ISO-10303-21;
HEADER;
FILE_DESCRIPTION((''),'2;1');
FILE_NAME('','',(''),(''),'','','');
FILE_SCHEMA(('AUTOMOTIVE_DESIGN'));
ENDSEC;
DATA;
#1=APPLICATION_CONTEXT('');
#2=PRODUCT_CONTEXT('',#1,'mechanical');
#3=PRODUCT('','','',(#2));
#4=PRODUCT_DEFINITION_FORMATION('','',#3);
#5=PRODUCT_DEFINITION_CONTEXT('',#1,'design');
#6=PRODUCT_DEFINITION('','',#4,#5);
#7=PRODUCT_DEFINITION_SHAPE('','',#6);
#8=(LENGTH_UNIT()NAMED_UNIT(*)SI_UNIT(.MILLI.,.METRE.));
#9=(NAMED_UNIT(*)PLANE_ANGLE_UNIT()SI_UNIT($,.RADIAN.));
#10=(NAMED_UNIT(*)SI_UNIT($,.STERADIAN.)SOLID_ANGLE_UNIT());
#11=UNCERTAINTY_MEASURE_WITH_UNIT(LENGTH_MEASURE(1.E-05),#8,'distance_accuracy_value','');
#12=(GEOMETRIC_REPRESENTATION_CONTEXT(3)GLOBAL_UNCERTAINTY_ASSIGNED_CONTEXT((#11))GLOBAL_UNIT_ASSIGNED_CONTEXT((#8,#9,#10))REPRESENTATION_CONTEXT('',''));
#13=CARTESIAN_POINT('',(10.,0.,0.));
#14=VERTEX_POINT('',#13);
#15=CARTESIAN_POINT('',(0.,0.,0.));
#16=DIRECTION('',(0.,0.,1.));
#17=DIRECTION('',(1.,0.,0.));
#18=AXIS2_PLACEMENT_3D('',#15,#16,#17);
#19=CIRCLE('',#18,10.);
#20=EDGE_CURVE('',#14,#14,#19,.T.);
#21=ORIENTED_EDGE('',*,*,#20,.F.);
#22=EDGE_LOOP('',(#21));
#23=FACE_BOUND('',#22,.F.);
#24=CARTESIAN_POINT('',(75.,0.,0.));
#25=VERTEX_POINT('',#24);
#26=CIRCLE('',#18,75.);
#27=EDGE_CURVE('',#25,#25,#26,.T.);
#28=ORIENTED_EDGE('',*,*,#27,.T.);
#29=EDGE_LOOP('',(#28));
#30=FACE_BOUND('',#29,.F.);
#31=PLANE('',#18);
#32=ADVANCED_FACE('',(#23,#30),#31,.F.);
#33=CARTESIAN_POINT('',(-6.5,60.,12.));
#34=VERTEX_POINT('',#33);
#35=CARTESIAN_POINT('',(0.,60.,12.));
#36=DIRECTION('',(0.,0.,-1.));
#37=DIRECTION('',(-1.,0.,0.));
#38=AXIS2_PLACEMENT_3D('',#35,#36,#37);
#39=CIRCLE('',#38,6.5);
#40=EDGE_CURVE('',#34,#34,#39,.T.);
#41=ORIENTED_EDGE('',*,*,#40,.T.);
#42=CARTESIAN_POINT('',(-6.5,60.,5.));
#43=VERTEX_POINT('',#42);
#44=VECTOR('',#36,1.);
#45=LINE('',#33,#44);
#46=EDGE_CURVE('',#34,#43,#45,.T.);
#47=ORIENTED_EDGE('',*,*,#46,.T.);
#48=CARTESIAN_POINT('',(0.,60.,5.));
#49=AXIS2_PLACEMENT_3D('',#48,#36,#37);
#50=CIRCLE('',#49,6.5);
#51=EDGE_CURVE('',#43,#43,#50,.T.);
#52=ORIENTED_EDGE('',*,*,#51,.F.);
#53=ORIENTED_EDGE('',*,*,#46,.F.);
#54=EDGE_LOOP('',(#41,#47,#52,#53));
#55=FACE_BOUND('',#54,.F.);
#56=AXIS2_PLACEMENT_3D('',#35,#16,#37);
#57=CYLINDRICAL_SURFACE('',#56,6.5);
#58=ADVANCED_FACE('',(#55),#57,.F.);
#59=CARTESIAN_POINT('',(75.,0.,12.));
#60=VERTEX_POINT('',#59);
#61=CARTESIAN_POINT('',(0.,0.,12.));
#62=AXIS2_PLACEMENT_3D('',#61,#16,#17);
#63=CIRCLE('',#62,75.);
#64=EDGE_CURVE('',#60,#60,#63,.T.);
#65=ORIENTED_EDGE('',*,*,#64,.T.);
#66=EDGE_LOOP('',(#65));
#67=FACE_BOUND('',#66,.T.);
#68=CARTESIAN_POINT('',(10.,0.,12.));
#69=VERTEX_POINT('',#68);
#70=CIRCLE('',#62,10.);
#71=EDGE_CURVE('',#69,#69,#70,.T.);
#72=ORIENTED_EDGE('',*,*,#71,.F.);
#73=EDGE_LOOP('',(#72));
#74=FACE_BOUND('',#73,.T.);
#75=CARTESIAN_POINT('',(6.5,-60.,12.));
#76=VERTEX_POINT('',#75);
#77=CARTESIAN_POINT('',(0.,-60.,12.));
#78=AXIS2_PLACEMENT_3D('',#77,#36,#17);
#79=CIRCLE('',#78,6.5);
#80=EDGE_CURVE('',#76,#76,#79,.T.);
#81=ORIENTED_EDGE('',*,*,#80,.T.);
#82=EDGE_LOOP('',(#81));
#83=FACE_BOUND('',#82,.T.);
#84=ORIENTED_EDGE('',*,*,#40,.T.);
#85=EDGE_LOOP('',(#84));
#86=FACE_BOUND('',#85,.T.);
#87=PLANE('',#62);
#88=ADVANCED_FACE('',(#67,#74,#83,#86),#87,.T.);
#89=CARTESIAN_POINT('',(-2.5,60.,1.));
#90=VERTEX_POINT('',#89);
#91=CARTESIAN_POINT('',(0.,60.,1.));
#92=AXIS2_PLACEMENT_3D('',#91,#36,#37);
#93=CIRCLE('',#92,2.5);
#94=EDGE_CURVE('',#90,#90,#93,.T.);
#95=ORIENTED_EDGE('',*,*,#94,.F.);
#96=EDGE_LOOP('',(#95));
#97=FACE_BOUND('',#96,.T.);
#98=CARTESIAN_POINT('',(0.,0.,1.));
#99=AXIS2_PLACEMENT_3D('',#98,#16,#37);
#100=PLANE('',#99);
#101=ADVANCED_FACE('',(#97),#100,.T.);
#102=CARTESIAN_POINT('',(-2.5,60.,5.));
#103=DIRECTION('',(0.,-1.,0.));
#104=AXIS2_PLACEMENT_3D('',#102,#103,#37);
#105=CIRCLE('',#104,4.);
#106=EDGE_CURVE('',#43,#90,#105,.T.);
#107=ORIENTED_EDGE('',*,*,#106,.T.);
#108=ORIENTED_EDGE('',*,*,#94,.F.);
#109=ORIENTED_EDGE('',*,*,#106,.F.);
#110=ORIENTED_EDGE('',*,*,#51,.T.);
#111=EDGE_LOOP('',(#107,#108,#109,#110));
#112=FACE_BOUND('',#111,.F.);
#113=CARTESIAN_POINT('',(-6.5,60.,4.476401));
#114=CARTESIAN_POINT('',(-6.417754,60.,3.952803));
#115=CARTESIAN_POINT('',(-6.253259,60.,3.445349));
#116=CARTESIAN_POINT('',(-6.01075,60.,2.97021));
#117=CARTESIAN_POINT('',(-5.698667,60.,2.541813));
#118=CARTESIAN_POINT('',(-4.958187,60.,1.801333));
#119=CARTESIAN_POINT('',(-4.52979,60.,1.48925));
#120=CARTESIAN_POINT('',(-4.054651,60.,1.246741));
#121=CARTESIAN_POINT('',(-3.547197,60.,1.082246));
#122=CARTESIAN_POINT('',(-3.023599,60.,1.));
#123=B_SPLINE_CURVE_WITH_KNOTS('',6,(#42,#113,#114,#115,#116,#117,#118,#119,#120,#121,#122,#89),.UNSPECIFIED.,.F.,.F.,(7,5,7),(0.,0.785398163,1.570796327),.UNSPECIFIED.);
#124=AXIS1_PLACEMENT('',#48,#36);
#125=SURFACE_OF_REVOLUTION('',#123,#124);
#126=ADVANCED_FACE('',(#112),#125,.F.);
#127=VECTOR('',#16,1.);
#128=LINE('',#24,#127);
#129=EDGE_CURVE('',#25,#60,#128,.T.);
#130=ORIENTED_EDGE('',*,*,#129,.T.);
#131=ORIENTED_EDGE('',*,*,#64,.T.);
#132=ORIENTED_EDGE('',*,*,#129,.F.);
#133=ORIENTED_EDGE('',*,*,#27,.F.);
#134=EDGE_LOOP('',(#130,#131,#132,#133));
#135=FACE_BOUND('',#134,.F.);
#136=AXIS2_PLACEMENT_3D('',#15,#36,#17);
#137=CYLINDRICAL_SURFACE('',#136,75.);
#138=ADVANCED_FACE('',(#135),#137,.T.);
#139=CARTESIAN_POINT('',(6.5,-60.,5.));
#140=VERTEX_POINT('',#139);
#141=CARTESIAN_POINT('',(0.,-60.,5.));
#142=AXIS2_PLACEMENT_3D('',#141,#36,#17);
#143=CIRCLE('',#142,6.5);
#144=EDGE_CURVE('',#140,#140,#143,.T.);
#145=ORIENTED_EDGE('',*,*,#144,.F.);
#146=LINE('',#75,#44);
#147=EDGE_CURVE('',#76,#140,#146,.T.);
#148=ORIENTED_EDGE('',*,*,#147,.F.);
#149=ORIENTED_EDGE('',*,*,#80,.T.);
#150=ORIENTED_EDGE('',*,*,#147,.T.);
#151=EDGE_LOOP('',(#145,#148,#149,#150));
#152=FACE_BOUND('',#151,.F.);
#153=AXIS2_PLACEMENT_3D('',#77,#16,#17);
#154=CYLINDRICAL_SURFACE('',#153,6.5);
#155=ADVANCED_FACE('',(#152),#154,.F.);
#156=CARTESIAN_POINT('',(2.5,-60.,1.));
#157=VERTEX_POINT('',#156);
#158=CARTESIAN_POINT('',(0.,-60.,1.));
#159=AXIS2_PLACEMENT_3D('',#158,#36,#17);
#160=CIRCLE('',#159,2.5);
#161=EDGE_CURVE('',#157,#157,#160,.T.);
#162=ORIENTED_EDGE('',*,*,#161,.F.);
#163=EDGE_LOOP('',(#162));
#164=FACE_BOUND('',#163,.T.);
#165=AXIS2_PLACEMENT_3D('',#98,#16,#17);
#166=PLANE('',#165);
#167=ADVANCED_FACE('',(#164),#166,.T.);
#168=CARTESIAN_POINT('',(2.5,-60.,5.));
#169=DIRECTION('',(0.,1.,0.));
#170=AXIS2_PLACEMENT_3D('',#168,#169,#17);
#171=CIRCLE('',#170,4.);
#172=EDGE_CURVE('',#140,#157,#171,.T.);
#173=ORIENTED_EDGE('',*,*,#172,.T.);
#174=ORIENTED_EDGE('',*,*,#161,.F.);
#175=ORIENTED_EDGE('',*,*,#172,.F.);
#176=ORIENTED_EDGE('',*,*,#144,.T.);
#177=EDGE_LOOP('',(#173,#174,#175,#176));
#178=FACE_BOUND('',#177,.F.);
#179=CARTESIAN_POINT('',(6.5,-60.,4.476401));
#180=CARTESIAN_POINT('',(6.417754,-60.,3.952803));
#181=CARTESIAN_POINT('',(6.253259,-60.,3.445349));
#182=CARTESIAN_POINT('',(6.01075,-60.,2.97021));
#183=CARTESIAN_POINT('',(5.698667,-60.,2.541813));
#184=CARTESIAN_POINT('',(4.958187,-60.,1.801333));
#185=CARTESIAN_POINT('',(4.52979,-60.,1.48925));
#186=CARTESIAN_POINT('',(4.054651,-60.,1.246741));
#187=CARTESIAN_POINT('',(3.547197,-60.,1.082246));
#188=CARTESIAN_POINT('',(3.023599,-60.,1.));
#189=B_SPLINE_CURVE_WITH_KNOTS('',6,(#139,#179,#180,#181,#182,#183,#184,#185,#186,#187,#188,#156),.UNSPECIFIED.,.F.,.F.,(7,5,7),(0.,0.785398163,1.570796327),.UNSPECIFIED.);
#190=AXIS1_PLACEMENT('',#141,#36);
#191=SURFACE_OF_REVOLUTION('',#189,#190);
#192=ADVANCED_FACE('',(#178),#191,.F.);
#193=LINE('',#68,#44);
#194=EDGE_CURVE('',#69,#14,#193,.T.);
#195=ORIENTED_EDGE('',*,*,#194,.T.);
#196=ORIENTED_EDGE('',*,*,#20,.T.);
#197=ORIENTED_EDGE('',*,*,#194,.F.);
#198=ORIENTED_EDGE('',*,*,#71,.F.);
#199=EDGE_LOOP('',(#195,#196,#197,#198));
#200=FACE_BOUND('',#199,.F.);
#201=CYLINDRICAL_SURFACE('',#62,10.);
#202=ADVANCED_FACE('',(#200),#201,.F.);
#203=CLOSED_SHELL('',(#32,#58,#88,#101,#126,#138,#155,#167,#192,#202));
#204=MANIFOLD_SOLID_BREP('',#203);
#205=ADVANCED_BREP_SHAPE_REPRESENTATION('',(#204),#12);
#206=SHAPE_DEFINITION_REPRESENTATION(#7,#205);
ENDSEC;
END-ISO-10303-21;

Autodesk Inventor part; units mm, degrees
ref_plane "YZ Plane" through (0, 0, 0) normal (1, 0, 0) x (0, 1, 0)
ref_plane "XZ Plane" through (0, 0, 0) normal (0, 1, 0) x (-1, 0, 0)
ref_plane "XY Plane" through (0, 0, 0) normal (0, 0, 1) x (1, 0, 0)
sketch "草圖1" plane through (0, 0, 0) normal (0, 0, 1) x (1, 0, 0)
  circle A0 centre (0, 0) radius 75
  dimension "d0" = 150
extrude "擠出1" add sketch "草圖1" along normal blind 12
sketch "草圖2" plane through (0, 0, 12) normal (0, 0, 1) x (1, 0, 0)
  circle A0 centre (0, 0) radius 75 projected
  line L0 (0, 0) -> (0, -60)
  circle A1 centre (0, -60) radius 6.5
  dimension "d3" = 60
  dimension "d4" = 13
extrude "擠出2" cut sketch "草圖2" against normal blind 11 contours A1
fillet "圓角1" radius 4 1 edges at (-6.5, -60, 1)
pattern_circular "環形陣列1" count 2 over 360 about axis through (0, 0, 0) along (0, 0, 1) of "擠出2", "圓角1"
sketch "草圖3" plane through (0, 0, 12) normal (0, 0, 1) x (1, 0, 0)
  circle A0 centre (0, 0) radius 75 projected
  circle A1 centre (0, 0) radius 10
  dimension "d11" = 20
extrude "擠出3" cut sketch "草圖3" against normal blind 12 contours A1
